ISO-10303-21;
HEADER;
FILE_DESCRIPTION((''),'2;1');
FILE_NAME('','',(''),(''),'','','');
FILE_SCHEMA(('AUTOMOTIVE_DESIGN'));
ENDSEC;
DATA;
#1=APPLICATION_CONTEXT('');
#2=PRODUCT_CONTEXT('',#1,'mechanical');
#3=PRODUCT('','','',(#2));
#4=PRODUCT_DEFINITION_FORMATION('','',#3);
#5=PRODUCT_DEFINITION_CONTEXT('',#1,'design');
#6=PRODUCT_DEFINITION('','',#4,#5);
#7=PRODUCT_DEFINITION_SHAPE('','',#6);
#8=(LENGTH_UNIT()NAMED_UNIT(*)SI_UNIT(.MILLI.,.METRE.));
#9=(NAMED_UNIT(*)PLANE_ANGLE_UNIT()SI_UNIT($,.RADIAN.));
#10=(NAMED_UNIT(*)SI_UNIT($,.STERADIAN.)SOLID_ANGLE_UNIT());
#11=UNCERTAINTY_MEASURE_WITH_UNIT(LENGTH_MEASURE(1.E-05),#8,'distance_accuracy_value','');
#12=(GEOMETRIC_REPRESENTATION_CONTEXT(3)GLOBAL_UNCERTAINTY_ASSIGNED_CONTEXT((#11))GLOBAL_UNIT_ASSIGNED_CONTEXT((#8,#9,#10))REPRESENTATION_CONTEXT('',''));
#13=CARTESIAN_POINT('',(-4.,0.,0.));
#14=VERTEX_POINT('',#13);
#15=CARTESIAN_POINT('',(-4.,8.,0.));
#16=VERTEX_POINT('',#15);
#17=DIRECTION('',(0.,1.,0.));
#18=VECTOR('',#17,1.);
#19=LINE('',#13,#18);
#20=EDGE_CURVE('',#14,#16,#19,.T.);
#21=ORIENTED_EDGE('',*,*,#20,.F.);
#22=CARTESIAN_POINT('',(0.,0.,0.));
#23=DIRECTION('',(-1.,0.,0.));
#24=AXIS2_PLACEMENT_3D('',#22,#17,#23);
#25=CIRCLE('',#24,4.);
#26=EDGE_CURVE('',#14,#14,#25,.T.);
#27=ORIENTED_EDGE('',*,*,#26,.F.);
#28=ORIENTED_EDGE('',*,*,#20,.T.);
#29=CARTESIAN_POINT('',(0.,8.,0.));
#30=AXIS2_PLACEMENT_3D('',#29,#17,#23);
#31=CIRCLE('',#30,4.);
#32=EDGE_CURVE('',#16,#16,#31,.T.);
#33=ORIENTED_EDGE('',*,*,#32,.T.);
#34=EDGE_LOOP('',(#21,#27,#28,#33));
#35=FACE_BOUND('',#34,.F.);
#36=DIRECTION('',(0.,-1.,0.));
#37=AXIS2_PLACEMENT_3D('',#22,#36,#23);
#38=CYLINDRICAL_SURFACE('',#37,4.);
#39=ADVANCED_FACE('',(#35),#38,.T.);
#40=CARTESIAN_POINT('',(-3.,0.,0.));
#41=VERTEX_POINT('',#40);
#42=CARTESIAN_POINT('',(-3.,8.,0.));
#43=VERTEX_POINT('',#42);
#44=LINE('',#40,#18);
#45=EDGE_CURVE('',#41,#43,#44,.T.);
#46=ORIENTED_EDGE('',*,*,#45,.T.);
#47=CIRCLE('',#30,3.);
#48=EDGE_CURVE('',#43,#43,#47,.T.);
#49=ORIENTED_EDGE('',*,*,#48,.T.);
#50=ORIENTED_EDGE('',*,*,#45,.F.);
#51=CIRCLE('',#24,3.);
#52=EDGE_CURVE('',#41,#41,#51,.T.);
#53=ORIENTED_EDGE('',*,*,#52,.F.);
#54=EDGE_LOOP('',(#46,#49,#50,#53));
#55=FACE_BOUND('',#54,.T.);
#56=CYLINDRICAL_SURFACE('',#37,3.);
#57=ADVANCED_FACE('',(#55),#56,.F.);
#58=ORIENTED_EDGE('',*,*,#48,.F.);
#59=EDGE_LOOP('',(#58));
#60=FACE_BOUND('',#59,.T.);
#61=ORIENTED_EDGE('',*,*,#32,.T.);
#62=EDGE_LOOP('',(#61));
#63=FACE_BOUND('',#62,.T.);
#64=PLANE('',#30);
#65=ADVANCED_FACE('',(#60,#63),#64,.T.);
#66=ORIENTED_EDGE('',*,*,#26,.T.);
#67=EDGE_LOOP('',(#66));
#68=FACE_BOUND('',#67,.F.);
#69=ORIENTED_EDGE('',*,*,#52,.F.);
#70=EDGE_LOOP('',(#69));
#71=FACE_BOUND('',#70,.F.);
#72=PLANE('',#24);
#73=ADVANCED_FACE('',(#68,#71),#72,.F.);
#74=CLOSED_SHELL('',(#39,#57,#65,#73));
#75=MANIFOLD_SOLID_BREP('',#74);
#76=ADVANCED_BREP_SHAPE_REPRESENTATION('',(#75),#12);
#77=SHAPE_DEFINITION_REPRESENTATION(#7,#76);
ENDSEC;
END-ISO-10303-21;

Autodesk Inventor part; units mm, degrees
ref_plane "YZ Plane" through (0, 0, 0) normal (1, 0, 0) x (0, 1, 0)
ref_plane "XZ Plane" through (0, 0, 0) normal (0, 1, 0) x (-1, 0, 0)
ref_plane "XY Plane" through (0, 0, 0) normal (0, 0, 1) x (1, 0, 0)
sketch "スケッチ1" plane through (0, 0, 0) normal (0, 1, 0) x (-1, 0, 0)
  circle A0 centre (0, 0) radius 3
  circle A1 centre (0, 0) radius 4
  dimension "d0" = 6
  dimension "d1" = 8
extrude "押し出し1" add sketch "スケッチ1" along normal blind 8
properties part number "オイレス060808"
